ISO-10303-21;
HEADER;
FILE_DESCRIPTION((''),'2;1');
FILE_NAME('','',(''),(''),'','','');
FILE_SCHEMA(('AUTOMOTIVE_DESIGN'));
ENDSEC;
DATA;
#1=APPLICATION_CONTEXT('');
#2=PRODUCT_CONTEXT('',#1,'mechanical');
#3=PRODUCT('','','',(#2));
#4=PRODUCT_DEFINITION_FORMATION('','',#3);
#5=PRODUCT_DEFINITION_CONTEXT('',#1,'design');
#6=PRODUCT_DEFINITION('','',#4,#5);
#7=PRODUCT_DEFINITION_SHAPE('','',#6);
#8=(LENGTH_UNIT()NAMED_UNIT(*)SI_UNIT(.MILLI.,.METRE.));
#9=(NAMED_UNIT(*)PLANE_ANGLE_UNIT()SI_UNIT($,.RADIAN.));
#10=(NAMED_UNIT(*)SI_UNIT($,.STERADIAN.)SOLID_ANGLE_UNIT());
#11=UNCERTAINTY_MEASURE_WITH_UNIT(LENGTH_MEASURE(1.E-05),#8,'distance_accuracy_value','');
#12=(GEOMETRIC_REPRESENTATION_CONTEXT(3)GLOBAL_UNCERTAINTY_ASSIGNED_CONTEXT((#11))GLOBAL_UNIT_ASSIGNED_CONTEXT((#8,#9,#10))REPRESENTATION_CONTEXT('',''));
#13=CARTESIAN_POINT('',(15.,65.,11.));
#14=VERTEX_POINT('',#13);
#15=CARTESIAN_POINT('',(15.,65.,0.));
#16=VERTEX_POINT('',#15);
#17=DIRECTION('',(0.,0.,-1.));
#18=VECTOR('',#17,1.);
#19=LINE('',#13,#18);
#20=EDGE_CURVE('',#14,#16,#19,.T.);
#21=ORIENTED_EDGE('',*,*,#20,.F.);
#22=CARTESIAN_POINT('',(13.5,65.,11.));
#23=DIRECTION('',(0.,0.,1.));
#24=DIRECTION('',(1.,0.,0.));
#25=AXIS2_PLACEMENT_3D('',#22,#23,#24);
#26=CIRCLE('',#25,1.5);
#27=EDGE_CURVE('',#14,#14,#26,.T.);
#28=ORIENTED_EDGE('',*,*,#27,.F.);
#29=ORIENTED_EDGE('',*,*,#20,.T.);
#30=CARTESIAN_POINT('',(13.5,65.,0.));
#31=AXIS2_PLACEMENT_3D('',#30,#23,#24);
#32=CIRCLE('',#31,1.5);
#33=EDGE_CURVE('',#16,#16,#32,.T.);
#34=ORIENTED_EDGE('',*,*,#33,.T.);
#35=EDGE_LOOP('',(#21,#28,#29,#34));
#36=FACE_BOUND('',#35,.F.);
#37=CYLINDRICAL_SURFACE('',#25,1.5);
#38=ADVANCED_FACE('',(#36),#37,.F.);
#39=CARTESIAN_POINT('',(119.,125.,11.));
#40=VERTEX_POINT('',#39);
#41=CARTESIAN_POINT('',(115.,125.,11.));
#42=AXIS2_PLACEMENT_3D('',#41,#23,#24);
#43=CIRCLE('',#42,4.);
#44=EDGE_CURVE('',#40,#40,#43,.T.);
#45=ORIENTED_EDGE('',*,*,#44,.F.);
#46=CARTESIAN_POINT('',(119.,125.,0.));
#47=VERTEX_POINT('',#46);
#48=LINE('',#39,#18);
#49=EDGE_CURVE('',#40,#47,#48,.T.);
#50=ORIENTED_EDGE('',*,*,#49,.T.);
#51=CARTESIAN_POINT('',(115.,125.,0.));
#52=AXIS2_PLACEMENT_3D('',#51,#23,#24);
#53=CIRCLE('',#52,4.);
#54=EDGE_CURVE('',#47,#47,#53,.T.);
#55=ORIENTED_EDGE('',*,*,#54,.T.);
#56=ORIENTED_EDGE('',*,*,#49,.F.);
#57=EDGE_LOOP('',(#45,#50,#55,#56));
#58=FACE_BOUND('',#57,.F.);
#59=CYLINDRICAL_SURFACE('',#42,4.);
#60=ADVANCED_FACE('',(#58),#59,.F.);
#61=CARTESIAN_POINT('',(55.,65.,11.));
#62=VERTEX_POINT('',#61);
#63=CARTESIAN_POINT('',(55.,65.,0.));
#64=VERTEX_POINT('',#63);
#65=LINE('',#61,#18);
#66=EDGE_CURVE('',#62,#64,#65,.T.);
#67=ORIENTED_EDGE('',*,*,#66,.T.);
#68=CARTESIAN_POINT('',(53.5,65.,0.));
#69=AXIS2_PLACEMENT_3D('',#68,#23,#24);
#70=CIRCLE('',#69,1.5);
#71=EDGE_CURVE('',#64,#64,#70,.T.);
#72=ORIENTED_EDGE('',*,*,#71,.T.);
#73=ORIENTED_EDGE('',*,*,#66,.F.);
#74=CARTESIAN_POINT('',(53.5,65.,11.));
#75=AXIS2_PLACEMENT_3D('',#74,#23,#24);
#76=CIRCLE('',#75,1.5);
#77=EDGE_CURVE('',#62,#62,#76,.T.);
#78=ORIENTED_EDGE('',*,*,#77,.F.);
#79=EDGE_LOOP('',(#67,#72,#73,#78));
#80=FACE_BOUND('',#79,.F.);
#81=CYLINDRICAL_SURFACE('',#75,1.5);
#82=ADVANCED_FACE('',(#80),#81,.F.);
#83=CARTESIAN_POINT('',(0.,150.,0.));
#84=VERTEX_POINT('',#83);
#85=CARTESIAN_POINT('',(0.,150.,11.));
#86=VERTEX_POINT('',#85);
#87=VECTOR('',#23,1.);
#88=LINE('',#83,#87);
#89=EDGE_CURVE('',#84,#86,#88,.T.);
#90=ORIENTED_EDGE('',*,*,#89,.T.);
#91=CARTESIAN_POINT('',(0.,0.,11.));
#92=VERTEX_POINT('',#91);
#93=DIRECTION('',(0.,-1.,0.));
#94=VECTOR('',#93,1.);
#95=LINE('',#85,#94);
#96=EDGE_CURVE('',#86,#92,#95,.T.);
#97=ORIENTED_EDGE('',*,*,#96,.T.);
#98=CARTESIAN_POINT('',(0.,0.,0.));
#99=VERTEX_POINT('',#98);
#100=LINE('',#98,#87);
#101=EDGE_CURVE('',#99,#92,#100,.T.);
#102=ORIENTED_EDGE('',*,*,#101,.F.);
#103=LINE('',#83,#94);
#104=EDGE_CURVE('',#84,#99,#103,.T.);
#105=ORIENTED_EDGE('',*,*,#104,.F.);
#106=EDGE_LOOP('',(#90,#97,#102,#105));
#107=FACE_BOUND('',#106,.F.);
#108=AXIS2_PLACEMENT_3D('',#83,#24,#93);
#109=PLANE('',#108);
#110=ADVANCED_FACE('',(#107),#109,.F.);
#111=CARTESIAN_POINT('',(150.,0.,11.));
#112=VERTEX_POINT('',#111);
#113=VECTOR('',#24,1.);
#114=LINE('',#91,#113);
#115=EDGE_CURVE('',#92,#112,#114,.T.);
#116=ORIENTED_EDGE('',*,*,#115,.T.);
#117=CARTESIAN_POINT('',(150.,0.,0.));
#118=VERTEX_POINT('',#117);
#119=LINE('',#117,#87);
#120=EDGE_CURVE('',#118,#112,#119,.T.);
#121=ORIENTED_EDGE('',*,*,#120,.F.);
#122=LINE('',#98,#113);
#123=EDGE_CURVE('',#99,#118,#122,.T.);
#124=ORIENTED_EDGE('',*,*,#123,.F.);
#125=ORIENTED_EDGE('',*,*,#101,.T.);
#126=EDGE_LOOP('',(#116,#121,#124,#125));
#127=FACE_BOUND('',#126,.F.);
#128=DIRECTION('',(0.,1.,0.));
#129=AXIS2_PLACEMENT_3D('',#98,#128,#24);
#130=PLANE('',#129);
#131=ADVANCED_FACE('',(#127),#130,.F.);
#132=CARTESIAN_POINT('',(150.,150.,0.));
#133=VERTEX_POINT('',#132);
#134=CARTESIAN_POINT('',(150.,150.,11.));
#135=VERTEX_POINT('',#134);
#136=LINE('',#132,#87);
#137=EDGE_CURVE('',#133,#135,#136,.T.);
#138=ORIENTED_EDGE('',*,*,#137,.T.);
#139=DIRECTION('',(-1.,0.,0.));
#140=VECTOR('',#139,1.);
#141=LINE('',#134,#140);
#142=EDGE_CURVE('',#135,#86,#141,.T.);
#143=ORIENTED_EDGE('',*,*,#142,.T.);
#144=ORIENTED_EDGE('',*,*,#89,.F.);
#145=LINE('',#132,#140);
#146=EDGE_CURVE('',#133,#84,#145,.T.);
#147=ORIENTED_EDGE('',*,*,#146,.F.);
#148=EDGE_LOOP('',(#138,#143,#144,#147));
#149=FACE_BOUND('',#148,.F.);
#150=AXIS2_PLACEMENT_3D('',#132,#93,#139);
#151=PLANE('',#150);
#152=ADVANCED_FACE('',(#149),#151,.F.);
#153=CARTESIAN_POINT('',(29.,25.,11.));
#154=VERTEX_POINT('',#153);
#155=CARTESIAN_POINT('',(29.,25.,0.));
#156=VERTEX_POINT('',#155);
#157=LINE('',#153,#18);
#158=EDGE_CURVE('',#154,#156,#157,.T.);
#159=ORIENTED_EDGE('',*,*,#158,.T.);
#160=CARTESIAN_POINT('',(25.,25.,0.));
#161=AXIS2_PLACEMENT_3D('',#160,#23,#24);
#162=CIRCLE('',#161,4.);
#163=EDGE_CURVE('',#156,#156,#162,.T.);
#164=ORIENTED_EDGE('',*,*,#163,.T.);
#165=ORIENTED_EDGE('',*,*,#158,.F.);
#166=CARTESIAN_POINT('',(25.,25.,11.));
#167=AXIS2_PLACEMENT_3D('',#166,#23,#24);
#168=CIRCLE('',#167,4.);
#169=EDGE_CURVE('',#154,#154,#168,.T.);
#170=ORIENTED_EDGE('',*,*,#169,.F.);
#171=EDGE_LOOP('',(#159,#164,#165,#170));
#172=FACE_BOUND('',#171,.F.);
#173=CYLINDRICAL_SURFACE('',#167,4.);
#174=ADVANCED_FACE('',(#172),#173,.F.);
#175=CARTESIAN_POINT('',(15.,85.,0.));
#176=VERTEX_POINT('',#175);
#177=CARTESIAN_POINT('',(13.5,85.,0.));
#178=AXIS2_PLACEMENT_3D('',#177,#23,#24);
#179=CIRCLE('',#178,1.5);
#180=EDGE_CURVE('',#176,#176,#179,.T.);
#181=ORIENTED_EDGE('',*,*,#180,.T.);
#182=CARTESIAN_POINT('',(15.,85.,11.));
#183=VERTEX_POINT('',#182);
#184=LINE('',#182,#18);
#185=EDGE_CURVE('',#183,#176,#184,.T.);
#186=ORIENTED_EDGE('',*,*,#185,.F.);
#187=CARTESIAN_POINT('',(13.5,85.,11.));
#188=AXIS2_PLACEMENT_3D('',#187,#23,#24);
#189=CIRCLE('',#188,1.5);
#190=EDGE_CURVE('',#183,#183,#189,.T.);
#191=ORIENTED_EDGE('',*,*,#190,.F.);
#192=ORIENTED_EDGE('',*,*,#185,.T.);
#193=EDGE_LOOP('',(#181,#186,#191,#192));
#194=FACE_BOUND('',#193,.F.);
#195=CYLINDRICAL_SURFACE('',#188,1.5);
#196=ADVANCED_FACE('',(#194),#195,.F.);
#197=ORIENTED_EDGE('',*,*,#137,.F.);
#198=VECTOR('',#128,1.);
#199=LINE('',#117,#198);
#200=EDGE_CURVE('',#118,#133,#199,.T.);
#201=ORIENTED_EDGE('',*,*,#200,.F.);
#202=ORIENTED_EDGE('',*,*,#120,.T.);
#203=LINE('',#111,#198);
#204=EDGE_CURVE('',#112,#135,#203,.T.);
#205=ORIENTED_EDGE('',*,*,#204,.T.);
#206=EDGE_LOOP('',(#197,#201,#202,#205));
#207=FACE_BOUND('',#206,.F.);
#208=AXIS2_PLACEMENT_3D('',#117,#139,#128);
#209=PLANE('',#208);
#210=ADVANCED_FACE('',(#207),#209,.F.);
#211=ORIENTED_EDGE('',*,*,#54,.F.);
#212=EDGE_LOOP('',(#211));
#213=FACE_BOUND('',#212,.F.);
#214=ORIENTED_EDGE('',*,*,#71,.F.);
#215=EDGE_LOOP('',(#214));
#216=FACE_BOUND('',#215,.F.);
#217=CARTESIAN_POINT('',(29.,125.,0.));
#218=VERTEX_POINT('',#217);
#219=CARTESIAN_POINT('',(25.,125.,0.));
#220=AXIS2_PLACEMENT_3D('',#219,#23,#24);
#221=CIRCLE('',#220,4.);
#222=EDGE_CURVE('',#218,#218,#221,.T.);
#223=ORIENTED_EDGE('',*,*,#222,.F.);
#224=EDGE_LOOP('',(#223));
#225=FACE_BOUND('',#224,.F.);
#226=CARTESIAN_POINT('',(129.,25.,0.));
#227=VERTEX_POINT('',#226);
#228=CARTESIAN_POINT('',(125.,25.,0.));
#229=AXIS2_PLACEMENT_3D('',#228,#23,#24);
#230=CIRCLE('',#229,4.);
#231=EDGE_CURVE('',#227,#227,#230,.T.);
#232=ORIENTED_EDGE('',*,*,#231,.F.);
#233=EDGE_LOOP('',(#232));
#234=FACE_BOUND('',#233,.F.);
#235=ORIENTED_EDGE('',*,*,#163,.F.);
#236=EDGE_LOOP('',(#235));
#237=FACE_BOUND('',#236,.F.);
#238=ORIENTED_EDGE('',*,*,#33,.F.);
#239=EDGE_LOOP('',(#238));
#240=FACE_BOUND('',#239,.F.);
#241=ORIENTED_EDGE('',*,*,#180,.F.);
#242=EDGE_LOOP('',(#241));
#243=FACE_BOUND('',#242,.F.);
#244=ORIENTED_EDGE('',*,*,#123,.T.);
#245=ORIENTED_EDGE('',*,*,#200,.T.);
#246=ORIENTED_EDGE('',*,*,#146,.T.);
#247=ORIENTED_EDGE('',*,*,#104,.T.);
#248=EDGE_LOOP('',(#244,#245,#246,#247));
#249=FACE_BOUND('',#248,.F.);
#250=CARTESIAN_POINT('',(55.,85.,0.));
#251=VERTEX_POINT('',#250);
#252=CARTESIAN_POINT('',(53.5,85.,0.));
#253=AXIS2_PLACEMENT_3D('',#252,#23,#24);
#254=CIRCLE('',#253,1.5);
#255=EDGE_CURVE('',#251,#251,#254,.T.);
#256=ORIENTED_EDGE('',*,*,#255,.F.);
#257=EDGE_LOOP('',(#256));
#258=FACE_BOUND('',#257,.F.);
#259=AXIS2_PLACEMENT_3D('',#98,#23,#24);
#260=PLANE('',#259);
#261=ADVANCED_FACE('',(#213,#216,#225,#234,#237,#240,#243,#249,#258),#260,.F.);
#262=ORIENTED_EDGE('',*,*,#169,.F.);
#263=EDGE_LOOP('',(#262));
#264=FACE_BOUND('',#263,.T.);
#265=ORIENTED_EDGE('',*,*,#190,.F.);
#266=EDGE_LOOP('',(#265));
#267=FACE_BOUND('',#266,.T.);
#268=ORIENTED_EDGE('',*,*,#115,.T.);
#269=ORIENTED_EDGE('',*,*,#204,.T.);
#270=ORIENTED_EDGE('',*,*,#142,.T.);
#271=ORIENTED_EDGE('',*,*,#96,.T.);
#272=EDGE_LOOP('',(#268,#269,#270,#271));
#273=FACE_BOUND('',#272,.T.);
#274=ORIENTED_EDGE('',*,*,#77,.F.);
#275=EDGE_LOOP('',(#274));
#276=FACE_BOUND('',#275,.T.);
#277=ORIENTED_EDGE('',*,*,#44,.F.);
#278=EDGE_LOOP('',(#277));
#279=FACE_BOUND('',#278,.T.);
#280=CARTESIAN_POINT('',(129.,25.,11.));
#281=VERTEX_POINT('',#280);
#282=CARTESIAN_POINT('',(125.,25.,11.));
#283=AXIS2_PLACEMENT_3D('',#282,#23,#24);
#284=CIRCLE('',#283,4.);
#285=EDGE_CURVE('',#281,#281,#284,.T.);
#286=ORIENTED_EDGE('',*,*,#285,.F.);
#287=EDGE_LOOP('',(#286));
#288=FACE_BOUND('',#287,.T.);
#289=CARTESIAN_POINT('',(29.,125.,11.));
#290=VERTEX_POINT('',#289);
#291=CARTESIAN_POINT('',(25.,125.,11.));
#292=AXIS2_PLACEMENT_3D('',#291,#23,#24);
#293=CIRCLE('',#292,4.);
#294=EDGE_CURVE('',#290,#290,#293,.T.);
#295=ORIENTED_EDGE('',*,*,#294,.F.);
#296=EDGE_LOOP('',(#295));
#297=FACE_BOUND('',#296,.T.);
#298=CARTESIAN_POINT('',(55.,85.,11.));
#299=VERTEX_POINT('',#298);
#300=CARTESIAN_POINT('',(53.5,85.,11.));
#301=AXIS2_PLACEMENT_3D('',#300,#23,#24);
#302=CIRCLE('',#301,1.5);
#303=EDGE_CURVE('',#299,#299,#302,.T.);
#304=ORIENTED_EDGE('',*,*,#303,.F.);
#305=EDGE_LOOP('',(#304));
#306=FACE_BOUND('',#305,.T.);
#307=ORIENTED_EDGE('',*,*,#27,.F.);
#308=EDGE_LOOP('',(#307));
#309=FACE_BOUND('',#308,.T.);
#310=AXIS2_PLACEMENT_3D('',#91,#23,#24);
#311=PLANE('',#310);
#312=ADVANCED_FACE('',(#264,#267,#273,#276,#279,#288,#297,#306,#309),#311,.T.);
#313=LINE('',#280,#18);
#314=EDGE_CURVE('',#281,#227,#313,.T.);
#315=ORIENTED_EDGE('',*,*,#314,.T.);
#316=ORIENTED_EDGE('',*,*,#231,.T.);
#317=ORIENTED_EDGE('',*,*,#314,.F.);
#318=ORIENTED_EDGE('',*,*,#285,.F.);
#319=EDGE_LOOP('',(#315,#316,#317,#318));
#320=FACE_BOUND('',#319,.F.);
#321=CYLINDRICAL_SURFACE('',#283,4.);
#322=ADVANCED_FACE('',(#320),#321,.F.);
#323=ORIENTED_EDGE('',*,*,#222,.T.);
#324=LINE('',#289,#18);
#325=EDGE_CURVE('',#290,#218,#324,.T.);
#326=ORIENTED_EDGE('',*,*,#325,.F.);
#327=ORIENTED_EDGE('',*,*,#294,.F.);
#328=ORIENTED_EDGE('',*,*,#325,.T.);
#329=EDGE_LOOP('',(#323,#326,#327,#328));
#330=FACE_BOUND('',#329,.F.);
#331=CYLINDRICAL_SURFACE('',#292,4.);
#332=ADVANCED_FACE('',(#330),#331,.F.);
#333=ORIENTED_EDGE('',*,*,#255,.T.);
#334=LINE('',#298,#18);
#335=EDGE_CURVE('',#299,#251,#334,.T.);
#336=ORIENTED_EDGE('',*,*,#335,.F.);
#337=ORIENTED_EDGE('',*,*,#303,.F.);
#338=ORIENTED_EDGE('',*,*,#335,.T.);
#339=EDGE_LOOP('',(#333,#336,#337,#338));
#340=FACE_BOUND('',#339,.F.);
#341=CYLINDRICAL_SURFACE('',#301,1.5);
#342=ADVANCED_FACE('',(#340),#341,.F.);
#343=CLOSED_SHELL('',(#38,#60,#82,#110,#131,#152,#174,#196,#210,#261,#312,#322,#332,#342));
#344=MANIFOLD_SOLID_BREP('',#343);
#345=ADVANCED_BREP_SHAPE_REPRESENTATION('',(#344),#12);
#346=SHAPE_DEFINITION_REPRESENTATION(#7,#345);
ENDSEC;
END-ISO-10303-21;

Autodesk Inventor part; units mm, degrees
ref_plane "YZ Plane" through (0, 0, 0) normal (1, 0, 0) x (0, 1, 0)
ref_plane "XZ Plane" through (0, 0, 0) normal (0, 1, 0) x (-1, 0, 0)
ref_plane "XY Plane" through (0, 0, 0) normal (0, 0, 1) x (1, 0, 0)
sketch "Sketch1" plane through (0, 0, 0) normal (0, 0, 1) x (1, 0, 0)
  line L0 (0, 0) -> (150, 0)
  line L1 (150, 0) -> (150, 150)
  line L2 (150, 150) -> (0, 150)
  line L3 (0, 150) -> (0, 0)
  dimension "d0" = 150
  dimension "d1" = 150
extrude "Extrusion1" add sketch "Sketch1" along normal blind 11
sketch "Sketch2" plane through (0, 0, 11) normal (0, 0, 1) x (1, 0, 0)
  circle A0 centre (13.5, 85) radius 1.5
  circle A1 centre (13.5, 65) radius 1.5
  circle A2 centre (53.5, 85) radius 1.5
  circle A3 centre (53.5, 65) radius 1.5
  line L0 (0, 150) -> (0, 0) projected
  line L1 (0, 0) -> (150, 0) projected
  line L2 (150, 150) -> (0, 150) projected
  line L3 (75, 150) -> (75, 0)
  line L4 (-23.1394, 75) -> (177.6706, 75)
  dimension "d4" = 3
  dimension "d5" = 3
  dimension "d6" = 20
  dimension "d7" = 3
  dimension "d8" = 3
  dimension "d10" = 40
  dimension "d11" = 40
  dimension "d12" = 20
  dimension "d13" = 13.5
  dimension "d14" = 13.5
  dimension "d15" = 65
  dimension "d16" = 65
extrude "Extrusion2" cut sketch "Sketch2" against normal blind 11 contours A0 | A1 | A2 | A3
sketch "Sketch3" plane through (0, 0, 11) normal (0, 0, 1) x (1, 0, 0)
  circle A0 centre (25, 25) radius 4
  circle A1 centre (25, 125) radius 4
  circle A2 centre (125, 25) radius 4
  circle A3 centre (115, 125) radius 4
  line L0 (150, 0) -> (150, 150) projected
  line L1 (150, 150) -> (0, 150) projected
  line L2 (0, 0) -> (150, 0) projected
  line L3 (0, 150) -> (0, 0) projected
  dimension "d19" = 8
  dimension "d20" = 8
  dimension "d21" = 8
  dimension "d22" = 8
  dimension "d23" = 35
  dimension "d24" = 25
  dimension "d25" = 25
  dimension "d26" = 25
  dimension "d27" = 25
  dimension "d28" = 25
  dimension "d29" = 25
  dimension "d30" = 25
extrude "Extrusion3" cut sketch "Sketch3" against normal blind 11 contours A0 | A1 | A2 | A3
properties part number "Teste bloco do motor"
